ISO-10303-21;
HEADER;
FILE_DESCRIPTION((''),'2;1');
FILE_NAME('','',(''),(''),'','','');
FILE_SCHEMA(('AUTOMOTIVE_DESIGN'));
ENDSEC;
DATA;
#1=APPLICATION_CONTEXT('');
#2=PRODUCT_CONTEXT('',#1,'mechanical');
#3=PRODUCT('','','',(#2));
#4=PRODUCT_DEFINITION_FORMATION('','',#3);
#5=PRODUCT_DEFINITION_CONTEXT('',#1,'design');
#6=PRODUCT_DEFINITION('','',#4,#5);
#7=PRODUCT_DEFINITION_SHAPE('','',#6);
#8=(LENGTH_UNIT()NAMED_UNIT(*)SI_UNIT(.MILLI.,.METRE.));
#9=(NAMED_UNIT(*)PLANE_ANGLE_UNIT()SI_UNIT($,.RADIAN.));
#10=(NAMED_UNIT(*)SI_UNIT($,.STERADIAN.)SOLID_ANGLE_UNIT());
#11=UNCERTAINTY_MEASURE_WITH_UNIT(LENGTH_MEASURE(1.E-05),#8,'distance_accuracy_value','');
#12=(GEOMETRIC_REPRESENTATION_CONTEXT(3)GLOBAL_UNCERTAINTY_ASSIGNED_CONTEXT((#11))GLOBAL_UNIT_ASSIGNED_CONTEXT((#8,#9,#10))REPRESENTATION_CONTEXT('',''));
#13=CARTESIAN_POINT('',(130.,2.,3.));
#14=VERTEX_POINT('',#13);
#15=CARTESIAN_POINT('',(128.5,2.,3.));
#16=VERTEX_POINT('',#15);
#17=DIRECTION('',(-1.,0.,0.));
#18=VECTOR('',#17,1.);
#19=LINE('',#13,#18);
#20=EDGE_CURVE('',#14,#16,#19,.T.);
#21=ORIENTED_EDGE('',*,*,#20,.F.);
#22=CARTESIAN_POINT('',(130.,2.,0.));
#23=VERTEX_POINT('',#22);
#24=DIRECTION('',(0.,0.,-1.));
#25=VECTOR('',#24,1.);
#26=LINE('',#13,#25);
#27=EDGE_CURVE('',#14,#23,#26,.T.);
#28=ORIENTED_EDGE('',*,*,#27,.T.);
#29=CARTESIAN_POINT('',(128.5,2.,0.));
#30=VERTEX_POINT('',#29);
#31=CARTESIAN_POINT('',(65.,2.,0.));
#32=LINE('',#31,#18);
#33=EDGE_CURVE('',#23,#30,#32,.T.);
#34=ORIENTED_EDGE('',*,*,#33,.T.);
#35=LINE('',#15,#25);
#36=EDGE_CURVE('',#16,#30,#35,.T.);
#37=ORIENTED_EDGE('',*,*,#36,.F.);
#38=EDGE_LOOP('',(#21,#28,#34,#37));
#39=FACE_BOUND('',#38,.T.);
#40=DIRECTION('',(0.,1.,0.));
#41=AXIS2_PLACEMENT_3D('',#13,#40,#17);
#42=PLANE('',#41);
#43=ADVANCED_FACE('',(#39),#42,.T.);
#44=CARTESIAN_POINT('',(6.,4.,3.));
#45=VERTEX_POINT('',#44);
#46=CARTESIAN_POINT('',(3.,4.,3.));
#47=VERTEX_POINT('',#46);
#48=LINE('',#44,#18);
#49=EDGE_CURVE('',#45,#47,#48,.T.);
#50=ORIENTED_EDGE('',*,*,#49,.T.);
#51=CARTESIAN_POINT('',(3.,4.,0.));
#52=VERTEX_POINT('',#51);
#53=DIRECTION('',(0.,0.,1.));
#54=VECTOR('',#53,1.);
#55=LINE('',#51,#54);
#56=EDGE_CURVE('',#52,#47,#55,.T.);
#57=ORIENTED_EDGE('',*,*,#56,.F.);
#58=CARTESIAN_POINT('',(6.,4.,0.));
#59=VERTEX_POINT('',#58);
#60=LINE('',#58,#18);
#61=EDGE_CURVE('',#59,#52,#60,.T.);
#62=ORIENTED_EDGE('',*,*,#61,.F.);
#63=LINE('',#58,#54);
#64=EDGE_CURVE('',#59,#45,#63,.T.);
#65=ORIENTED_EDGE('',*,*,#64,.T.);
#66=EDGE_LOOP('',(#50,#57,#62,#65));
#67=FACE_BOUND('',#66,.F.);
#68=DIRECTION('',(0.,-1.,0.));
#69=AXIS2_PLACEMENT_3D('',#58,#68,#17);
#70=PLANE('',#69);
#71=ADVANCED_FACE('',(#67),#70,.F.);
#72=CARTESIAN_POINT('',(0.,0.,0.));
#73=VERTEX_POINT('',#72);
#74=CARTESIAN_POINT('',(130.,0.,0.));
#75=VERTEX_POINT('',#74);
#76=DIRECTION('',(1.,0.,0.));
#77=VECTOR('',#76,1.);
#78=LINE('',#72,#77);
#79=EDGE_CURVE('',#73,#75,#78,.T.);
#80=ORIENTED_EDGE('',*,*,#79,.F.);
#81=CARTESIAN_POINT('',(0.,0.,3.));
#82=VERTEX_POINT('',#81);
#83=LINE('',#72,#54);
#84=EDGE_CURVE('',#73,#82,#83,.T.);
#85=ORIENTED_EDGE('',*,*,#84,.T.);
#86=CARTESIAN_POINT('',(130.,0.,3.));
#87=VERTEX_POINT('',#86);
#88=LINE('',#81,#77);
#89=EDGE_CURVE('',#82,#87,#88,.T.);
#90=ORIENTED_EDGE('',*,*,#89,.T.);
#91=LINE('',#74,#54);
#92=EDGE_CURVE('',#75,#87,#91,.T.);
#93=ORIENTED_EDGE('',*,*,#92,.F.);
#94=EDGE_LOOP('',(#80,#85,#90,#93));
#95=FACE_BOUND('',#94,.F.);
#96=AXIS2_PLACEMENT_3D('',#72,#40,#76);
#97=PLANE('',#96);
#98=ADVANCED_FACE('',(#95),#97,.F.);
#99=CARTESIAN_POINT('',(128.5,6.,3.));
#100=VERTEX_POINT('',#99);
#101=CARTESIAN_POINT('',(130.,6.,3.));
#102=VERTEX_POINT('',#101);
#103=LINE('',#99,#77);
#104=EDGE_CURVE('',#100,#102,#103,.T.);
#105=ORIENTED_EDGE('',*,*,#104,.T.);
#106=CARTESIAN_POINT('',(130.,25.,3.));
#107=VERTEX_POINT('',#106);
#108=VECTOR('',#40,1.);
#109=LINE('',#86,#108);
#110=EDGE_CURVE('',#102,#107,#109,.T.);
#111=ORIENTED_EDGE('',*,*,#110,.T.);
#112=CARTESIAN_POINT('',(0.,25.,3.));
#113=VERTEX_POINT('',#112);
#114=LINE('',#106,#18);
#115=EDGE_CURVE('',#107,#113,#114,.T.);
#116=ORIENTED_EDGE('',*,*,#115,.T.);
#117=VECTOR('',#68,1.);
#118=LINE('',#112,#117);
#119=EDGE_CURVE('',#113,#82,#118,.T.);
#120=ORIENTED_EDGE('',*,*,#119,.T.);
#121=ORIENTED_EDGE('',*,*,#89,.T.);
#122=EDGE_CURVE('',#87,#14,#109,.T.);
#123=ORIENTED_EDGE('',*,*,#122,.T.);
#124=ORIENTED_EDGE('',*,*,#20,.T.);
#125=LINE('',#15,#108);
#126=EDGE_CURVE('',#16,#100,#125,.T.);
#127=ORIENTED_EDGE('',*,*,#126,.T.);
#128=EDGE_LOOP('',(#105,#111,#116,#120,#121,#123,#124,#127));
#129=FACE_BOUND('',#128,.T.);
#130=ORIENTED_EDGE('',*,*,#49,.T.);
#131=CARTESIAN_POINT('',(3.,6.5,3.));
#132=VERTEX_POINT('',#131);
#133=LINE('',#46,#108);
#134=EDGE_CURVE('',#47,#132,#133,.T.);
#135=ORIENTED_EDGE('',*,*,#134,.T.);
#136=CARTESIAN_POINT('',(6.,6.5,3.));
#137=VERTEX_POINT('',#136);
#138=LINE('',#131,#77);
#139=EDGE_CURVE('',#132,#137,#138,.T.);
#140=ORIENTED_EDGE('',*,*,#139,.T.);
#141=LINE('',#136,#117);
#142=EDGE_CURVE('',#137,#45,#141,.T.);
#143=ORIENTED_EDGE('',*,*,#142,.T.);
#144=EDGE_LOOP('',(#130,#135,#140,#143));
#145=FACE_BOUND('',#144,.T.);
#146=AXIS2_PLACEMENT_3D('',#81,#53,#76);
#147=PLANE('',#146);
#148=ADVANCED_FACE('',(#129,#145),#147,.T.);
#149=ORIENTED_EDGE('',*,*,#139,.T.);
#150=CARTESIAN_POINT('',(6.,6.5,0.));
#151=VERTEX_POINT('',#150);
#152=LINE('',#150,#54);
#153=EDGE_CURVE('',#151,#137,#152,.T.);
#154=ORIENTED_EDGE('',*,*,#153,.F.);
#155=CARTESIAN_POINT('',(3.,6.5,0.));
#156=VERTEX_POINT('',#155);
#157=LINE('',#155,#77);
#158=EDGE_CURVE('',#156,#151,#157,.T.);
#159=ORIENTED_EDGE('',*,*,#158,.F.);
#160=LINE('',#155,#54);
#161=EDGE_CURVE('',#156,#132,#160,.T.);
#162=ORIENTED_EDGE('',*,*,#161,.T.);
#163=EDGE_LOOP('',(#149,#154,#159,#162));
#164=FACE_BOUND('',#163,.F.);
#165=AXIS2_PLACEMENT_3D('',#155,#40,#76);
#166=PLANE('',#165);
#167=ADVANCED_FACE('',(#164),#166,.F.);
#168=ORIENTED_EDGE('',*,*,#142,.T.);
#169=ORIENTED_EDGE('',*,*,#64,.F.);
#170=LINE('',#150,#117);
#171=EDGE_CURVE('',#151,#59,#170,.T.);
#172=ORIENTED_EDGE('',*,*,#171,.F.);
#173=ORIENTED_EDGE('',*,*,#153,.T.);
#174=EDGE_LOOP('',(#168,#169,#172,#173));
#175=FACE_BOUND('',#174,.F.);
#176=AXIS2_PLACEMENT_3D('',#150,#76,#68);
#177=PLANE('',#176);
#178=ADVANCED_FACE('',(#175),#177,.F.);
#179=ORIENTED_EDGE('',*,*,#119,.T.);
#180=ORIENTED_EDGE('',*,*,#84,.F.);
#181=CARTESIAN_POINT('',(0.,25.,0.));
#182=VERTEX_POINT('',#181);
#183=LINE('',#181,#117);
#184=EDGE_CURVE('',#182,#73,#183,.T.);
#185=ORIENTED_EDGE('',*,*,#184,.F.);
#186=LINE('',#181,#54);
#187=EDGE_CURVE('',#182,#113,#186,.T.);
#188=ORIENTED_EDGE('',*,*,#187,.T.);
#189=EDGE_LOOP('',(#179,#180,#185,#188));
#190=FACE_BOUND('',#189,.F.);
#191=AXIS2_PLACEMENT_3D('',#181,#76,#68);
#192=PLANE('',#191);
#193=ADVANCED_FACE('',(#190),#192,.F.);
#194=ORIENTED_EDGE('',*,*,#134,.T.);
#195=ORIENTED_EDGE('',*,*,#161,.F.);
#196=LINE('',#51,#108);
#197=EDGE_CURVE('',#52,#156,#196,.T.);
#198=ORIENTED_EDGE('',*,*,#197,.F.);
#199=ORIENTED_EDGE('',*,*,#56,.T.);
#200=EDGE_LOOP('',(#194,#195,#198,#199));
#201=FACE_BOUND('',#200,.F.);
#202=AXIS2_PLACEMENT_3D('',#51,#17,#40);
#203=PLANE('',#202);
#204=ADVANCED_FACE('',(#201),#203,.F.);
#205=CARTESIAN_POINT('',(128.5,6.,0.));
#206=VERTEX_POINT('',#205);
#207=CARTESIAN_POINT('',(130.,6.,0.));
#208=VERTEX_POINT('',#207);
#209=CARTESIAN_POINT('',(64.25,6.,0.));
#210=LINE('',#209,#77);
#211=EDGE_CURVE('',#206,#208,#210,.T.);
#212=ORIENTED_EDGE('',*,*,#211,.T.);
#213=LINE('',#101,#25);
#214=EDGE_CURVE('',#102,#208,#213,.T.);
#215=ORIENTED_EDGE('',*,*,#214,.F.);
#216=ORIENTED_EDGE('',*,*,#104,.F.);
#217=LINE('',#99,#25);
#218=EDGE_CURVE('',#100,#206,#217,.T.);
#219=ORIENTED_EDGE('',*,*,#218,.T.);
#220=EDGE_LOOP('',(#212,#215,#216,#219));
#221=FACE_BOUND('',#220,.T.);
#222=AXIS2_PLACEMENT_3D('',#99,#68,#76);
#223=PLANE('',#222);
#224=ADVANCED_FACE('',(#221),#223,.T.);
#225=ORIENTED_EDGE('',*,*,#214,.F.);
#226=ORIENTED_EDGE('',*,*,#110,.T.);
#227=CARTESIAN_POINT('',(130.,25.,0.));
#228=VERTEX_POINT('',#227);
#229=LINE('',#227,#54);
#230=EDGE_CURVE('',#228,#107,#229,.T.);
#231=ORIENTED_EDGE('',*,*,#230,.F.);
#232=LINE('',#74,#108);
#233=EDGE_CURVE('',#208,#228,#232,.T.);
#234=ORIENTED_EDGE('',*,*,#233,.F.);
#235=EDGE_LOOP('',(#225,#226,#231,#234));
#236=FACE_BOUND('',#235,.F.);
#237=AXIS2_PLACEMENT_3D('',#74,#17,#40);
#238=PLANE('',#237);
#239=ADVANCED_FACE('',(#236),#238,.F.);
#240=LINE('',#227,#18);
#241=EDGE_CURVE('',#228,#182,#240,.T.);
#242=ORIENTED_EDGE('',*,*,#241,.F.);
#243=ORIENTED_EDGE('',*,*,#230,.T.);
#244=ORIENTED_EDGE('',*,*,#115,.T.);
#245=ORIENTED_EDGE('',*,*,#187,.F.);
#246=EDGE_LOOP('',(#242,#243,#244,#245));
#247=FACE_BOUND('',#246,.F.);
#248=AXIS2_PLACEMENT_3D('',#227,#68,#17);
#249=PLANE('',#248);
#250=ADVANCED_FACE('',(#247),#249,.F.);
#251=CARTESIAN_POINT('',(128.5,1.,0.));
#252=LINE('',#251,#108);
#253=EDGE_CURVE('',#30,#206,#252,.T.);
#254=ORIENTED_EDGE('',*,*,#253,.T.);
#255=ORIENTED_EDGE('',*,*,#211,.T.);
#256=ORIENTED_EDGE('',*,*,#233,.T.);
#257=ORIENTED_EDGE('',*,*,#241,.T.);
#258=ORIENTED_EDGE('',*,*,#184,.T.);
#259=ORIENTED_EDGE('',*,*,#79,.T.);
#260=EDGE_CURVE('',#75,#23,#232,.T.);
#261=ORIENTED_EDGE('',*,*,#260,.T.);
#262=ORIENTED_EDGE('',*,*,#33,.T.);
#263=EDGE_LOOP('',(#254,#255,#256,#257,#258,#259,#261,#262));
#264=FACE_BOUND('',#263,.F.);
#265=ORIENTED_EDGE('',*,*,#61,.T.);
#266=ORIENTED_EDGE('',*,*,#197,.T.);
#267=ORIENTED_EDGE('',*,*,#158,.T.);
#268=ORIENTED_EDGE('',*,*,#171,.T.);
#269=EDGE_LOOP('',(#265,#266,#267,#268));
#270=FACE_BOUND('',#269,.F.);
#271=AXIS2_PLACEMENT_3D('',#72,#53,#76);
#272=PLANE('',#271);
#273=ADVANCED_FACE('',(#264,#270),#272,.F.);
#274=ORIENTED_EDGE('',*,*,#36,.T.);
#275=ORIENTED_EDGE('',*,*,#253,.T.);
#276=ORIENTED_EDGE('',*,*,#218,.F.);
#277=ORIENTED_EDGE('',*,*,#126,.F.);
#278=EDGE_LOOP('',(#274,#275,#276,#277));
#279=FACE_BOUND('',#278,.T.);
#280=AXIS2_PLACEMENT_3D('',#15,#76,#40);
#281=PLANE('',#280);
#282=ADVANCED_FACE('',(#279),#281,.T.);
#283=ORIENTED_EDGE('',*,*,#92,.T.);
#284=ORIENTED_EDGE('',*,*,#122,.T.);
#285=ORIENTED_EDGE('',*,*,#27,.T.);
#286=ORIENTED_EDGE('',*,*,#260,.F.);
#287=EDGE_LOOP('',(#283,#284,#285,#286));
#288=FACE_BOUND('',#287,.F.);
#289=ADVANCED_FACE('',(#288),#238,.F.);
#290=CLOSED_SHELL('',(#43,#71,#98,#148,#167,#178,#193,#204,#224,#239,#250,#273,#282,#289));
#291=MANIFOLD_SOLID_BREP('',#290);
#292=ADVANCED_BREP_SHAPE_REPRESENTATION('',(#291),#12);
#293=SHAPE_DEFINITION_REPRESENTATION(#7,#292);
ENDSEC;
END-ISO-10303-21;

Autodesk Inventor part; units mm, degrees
ref_plane "YZ Plane" through (0, 0, 0) normal (1, 0, 0) x (0, 1, 0)
ref_plane "XZ Plane" through (0, 0, 0) normal (0, 1, 0) x (-1, 0, 0)
ref_plane "XY Plane" through (0, 0, 0) normal (0, 0, 1) x (1, 0, 0)
sketch "Sketch1" plane through (0, 0, 0) normal (0, 0, 1) x (1, 0, 0)
  line L0 (0, 0) -> (130, 0)
  line L1 (130, 0) -> (130, 25)
  line L2 (130, 25) -> (0, 25)
  line L3 (0, 25) -> (0, 0)
  line L4 (3, 6.5) -> (6, 6.5)
  line L5 (6, 6.5) -> (6, 4)
  line L6 (6, 4) -> (3, 4)
  line L7 (3, 4) -> (3, 6.5)
  dimension "d0" = 130
  dimension "d1" = 25
  dimension "d2" = 3
  dimension "d3" = 2.5
  dimension "d4" = 3
  dimension "d5" = 4
extrude "Extrusion1" add sketch "Sketch1" along normal blind 3
sketch "Sketch2" plane through (0, 0, 3) normal (0, 0, 1) x (1, 0, 0)
  line L0 (130, 0) -> (130, 25) projected
  line L1 (130, 2) -> (128.5, 2)
  line L2 (128.5, 2) -> (128.5, 6)
  line L3 (128.5, 6) -> (130, 6)
  line L4 (130, 6) -> (130, 2)
  line L5 (0, 0) -> (130, 0) projected
  dimension "d8" = 1.5
  dimension "d9" = 4
  dimension "d10" = 2
extrude "Extrusion2" cut sketch "Sketch2" against normal through all
properties part number "door"
